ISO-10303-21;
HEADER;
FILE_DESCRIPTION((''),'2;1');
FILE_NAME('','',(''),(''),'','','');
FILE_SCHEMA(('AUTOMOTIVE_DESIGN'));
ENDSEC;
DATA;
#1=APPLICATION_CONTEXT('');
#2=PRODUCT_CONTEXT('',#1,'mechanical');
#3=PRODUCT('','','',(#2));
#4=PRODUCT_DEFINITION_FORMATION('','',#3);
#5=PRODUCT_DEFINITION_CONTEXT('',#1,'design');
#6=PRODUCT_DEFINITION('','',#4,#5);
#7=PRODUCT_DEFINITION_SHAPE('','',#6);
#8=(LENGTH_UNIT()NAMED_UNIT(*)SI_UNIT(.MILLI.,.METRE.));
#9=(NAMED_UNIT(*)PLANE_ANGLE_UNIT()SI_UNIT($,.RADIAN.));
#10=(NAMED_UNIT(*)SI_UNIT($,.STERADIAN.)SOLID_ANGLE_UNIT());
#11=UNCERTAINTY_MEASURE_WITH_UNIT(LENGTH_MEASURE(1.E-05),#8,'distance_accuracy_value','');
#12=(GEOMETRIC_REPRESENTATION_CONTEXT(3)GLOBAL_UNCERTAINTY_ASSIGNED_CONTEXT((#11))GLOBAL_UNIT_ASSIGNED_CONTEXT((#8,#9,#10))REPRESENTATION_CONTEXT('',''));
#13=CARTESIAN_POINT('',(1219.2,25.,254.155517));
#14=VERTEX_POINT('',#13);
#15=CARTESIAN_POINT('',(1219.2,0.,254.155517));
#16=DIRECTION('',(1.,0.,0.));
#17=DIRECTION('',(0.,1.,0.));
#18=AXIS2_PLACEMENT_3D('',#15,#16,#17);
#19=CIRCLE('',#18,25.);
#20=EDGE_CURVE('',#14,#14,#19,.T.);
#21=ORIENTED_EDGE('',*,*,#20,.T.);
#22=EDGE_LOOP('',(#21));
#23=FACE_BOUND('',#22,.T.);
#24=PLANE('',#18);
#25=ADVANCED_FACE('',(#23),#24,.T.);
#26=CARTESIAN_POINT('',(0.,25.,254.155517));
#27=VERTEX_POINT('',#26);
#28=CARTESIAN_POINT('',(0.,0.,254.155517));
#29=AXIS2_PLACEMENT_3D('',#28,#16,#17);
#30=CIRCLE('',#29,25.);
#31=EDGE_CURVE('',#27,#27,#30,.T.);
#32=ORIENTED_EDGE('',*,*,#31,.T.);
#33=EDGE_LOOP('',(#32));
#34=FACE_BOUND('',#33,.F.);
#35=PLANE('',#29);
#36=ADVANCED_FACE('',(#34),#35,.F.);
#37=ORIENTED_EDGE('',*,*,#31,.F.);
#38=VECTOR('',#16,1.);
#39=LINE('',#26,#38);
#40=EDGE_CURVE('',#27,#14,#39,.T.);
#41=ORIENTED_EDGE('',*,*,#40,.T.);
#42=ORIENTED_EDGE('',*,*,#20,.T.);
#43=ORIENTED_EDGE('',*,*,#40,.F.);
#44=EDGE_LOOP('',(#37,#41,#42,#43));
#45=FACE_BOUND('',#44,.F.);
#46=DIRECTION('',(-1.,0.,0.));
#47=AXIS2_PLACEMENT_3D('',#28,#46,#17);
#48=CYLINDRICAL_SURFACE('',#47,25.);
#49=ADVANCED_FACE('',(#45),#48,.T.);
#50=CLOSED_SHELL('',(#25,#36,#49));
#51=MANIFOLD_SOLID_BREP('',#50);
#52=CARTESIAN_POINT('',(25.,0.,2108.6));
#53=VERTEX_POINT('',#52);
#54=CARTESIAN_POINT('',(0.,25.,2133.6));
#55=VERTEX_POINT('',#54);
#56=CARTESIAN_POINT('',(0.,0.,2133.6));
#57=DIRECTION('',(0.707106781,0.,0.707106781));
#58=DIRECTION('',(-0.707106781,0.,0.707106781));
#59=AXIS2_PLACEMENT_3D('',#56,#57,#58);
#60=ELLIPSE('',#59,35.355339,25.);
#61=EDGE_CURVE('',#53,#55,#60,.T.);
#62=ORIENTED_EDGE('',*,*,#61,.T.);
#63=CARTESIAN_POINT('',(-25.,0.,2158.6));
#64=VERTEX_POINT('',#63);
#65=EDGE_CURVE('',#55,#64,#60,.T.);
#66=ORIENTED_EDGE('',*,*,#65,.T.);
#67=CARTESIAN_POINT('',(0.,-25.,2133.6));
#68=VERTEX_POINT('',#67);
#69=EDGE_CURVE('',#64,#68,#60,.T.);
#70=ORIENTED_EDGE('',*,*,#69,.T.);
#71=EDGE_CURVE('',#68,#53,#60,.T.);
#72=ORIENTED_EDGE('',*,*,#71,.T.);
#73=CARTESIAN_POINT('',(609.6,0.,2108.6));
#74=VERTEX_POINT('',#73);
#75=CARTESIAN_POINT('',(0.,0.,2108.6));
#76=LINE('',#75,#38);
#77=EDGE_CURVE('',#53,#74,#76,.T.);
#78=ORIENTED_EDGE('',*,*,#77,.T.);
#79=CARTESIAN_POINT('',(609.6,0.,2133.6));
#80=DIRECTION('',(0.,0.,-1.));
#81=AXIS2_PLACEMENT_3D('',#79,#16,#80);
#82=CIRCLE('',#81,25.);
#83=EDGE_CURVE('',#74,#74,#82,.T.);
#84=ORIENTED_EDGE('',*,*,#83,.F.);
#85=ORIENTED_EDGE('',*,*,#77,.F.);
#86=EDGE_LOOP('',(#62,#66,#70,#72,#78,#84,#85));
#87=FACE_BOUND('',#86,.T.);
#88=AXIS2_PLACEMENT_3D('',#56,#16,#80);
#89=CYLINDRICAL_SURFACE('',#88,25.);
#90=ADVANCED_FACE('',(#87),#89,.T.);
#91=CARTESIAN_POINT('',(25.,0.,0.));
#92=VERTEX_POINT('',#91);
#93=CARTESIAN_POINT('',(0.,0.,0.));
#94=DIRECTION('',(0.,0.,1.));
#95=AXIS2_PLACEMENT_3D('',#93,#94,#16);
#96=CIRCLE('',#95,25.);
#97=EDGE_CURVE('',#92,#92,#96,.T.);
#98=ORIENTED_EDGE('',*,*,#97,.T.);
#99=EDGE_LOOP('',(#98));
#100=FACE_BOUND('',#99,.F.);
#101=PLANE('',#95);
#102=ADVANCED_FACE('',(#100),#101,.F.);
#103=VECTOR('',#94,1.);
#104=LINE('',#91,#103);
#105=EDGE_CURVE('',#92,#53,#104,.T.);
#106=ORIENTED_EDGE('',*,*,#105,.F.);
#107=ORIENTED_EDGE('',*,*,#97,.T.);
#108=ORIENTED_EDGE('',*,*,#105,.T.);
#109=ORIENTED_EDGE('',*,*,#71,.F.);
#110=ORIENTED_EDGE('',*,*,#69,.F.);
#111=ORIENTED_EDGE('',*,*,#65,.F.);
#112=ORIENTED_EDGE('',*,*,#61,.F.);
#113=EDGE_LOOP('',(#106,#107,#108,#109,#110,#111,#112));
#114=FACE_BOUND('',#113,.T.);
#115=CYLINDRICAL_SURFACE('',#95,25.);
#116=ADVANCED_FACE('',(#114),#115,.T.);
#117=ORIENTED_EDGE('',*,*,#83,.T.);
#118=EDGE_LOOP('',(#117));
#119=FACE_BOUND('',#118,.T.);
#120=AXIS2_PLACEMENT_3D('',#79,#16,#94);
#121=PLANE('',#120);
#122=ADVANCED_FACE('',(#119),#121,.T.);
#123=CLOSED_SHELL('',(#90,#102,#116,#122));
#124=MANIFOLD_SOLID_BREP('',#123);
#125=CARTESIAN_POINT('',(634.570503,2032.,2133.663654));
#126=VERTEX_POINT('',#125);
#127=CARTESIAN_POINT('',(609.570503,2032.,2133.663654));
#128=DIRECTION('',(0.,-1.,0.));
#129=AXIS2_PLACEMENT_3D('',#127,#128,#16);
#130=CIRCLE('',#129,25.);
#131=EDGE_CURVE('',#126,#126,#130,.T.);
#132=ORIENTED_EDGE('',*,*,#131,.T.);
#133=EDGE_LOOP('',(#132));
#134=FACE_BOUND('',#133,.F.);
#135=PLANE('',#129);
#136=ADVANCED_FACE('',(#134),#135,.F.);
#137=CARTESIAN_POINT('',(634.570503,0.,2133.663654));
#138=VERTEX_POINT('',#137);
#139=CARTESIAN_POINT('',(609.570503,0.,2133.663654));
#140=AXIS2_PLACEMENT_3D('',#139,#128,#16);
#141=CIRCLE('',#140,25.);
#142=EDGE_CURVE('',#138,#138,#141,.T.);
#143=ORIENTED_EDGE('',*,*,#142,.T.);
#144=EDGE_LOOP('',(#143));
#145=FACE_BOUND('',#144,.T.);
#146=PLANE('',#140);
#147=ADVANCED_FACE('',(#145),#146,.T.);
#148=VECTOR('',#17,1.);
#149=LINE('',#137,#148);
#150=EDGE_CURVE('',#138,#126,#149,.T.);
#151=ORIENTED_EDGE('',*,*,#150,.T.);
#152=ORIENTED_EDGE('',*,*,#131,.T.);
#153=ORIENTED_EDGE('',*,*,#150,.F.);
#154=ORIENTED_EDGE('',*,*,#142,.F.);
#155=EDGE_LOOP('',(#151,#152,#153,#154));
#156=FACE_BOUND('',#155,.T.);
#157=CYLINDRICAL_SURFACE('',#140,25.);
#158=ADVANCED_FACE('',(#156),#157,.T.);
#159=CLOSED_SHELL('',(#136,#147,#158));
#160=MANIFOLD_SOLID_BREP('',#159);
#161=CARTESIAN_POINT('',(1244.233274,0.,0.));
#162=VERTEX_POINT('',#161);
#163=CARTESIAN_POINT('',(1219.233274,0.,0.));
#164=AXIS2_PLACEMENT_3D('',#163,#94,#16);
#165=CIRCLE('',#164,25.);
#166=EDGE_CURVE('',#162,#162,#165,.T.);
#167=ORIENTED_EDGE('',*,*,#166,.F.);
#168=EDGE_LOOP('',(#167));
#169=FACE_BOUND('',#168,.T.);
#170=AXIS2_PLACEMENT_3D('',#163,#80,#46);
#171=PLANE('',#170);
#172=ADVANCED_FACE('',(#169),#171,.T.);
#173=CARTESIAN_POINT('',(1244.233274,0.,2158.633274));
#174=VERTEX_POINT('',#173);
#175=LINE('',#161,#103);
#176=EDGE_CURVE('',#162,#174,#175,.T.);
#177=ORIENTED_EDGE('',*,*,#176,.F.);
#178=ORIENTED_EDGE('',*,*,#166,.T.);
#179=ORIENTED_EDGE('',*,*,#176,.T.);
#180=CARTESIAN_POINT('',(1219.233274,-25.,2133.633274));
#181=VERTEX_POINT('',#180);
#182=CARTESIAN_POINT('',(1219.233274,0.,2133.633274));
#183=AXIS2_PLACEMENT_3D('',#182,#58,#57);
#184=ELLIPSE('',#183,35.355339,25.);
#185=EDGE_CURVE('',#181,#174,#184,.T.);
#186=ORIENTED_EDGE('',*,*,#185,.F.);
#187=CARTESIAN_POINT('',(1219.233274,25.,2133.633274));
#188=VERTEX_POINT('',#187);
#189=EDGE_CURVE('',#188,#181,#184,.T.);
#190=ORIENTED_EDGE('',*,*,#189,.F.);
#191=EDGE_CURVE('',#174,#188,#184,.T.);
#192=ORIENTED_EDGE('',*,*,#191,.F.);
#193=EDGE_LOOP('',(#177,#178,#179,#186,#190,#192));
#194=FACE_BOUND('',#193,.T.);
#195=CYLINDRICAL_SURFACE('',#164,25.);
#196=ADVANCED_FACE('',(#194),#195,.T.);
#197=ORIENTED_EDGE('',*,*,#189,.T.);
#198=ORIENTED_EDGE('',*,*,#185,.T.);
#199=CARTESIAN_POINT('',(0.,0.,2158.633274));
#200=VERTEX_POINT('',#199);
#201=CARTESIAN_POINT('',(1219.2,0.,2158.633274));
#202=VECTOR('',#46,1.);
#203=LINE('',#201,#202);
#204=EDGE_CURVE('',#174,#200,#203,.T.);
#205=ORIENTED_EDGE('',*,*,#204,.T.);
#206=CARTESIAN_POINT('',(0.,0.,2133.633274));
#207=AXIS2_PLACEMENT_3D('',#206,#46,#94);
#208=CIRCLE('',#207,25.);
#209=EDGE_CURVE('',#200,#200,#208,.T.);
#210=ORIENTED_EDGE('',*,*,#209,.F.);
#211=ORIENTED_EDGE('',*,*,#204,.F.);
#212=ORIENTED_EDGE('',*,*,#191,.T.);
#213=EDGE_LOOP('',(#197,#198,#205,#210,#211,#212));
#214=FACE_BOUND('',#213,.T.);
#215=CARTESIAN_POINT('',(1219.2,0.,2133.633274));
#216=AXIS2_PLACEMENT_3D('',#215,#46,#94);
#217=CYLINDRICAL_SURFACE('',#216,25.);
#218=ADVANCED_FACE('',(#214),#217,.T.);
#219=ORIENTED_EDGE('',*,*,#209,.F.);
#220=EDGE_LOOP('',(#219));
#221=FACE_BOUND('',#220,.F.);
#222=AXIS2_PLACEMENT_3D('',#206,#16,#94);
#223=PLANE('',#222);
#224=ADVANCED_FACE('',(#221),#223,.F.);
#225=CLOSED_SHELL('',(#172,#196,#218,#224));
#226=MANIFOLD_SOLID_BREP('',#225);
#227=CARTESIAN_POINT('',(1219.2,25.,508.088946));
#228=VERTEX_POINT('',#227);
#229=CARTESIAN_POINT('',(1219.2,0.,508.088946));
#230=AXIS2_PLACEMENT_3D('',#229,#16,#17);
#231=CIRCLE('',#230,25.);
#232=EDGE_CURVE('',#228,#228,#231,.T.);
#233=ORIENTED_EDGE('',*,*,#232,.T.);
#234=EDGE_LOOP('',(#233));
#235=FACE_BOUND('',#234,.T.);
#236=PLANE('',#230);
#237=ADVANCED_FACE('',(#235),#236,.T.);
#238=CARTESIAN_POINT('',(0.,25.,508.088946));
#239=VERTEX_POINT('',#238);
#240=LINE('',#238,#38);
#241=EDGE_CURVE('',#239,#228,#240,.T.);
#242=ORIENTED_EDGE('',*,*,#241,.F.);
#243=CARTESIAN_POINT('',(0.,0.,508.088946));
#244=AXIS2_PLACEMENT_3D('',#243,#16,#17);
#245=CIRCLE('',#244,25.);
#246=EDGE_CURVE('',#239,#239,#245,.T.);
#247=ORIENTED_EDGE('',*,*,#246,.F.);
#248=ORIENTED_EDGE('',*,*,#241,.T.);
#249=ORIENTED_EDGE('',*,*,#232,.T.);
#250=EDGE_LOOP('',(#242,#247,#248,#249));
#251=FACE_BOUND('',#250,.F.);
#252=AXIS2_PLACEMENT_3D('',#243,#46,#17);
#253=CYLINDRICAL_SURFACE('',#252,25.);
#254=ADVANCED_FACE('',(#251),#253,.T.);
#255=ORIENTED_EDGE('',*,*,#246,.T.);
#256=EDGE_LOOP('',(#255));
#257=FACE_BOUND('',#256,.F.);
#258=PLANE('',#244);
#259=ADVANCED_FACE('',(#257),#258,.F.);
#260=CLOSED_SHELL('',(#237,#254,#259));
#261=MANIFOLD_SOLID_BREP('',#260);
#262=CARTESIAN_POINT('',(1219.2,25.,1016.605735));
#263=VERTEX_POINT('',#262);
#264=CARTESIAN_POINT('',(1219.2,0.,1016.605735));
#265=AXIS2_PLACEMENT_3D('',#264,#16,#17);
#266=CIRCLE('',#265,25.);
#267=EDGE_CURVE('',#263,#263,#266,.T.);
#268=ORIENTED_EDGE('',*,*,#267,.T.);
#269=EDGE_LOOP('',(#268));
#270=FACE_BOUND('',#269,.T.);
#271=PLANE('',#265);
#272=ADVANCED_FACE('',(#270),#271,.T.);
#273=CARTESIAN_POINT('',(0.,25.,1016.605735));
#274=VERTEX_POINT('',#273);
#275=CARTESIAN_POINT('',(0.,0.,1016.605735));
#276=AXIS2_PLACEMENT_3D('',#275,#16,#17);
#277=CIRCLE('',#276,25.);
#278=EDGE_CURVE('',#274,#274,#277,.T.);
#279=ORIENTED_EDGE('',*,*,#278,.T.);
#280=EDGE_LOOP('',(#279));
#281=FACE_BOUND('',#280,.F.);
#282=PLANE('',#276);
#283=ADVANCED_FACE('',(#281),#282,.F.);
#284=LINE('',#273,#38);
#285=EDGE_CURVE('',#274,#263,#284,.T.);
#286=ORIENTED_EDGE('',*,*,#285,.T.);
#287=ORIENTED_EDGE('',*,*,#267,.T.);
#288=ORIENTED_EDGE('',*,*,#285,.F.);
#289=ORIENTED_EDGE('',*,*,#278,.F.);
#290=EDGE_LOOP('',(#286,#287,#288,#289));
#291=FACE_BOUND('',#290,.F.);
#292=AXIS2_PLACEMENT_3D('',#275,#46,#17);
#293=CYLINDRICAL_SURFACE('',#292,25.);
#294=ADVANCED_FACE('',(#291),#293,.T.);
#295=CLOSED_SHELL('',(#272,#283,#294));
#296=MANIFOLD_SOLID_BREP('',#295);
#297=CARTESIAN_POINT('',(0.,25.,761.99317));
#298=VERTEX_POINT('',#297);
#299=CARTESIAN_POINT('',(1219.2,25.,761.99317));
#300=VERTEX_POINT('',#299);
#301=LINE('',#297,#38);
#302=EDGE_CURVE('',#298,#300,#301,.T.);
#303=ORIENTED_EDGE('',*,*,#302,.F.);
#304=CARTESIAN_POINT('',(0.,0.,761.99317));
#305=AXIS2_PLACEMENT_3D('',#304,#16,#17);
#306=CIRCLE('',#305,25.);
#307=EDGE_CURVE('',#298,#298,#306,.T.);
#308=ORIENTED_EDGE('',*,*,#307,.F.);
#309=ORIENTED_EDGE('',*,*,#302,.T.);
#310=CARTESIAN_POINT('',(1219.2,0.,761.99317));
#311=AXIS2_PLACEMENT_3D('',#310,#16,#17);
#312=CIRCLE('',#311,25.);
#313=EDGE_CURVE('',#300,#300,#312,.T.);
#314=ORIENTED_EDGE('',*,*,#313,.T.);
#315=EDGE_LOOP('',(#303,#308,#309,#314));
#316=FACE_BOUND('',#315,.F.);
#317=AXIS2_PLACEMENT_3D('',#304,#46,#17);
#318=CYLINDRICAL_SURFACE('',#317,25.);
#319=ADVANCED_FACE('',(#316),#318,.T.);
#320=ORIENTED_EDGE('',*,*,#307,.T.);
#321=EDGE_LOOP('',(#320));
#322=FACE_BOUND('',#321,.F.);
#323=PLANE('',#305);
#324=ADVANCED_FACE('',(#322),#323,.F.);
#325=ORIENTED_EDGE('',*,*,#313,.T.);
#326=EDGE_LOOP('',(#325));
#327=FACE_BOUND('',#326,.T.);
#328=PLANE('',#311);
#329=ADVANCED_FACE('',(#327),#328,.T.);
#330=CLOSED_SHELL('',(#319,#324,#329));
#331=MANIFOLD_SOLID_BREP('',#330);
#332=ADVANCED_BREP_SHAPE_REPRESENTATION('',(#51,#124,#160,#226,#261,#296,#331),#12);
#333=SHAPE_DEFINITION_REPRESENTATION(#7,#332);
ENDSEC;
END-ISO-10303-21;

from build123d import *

# Parameters (mm, degrees)
F2_R      = 25
F3_DEPTH  = 2032
F0_R      = 25
F6_R      = 25
F9_R      = 25
F10_DEPTH = 1219.2


with BuildPart() as f3:
    # F2 (on Front) → F3 (new body)
    with BuildSketch(Plane.XZ):
        with Locations((609.5705032349, 2133.6636543274)):
            Circle(F2_R)
    extrude(amount=-F3_DEPTH)


with BuildPart() as f4:
    # F4: sweep along a path in F1
    with BuildLine(Plane.XZ) as f4_path:
        Line((0, 0), (0, 2133.6))
        Line((0, 2133.6), (609.6, 2133.6))
    # F0 (on Top) → F4 (sweep)
    with BuildSketch(Plane.XY):
        Circle(F0_R)
    sweep(path=f4_path.line, transition=Transition.RIGHT)


with BuildPart() as f7:
    # F7: sweep along a path in F1
    with BuildLine(Plane.XZ) as f7_path:
        Line((1219.2, 0), (1219.2, 2133.6))
        Line((1219.2, 2133.6), (0, 2133.6))
    # F6 (on line) → F7 (sweep)
    with BuildSketch(Plane(origin=(0, 0, 0), x_dir=(1, 0, 0), z_dir=(0, 0, -1))):
        with Locations((1219.2332744598, 0)):
            Circle(F6_R)
    sweep(path=f7_path.line, transition=Transition.RIGHT)


with BuildPart() as f10:
    # F9 (on line) → F10 (new body)
    with BuildSketch(Plane.YZ):
        with Locations((0, 1016.6057348251)):
            Circle(F9_R)
    extrude(amount=F10_DEPTH)


with BuildPart() as f10b:
    # F9 (on line) → F10, piece 2 (new body)
    with BuildSketch(Plane.YZ):
        with Locations((0, 761.9931697845)):
            Circle(F9_R)
    extrude(amount=F10_DEPTH)


with BuildPart() as f10c:
    # F9 (on line) → F10, piece 3 (new body)
    with BuildSketch(Plane.YZ):
        with Locations((0, 508.0889463425)):
            Circle(F9_R)
    extrude(amount=F10_DEPTH)


with BuildPart() as f10d:
    # F9 (on line) → F10, piece 4 (new body)
    with BuildSketch(Plane.YZ):
        with Locations((0, 254.1555166245)):
            Circle(F9_R)
    extrude(amount=F10_DEPTH)


solid = Compound([f3.part, f4.part, f7.part, f10.part, f10b.part, f10c.part, f10d.part])
